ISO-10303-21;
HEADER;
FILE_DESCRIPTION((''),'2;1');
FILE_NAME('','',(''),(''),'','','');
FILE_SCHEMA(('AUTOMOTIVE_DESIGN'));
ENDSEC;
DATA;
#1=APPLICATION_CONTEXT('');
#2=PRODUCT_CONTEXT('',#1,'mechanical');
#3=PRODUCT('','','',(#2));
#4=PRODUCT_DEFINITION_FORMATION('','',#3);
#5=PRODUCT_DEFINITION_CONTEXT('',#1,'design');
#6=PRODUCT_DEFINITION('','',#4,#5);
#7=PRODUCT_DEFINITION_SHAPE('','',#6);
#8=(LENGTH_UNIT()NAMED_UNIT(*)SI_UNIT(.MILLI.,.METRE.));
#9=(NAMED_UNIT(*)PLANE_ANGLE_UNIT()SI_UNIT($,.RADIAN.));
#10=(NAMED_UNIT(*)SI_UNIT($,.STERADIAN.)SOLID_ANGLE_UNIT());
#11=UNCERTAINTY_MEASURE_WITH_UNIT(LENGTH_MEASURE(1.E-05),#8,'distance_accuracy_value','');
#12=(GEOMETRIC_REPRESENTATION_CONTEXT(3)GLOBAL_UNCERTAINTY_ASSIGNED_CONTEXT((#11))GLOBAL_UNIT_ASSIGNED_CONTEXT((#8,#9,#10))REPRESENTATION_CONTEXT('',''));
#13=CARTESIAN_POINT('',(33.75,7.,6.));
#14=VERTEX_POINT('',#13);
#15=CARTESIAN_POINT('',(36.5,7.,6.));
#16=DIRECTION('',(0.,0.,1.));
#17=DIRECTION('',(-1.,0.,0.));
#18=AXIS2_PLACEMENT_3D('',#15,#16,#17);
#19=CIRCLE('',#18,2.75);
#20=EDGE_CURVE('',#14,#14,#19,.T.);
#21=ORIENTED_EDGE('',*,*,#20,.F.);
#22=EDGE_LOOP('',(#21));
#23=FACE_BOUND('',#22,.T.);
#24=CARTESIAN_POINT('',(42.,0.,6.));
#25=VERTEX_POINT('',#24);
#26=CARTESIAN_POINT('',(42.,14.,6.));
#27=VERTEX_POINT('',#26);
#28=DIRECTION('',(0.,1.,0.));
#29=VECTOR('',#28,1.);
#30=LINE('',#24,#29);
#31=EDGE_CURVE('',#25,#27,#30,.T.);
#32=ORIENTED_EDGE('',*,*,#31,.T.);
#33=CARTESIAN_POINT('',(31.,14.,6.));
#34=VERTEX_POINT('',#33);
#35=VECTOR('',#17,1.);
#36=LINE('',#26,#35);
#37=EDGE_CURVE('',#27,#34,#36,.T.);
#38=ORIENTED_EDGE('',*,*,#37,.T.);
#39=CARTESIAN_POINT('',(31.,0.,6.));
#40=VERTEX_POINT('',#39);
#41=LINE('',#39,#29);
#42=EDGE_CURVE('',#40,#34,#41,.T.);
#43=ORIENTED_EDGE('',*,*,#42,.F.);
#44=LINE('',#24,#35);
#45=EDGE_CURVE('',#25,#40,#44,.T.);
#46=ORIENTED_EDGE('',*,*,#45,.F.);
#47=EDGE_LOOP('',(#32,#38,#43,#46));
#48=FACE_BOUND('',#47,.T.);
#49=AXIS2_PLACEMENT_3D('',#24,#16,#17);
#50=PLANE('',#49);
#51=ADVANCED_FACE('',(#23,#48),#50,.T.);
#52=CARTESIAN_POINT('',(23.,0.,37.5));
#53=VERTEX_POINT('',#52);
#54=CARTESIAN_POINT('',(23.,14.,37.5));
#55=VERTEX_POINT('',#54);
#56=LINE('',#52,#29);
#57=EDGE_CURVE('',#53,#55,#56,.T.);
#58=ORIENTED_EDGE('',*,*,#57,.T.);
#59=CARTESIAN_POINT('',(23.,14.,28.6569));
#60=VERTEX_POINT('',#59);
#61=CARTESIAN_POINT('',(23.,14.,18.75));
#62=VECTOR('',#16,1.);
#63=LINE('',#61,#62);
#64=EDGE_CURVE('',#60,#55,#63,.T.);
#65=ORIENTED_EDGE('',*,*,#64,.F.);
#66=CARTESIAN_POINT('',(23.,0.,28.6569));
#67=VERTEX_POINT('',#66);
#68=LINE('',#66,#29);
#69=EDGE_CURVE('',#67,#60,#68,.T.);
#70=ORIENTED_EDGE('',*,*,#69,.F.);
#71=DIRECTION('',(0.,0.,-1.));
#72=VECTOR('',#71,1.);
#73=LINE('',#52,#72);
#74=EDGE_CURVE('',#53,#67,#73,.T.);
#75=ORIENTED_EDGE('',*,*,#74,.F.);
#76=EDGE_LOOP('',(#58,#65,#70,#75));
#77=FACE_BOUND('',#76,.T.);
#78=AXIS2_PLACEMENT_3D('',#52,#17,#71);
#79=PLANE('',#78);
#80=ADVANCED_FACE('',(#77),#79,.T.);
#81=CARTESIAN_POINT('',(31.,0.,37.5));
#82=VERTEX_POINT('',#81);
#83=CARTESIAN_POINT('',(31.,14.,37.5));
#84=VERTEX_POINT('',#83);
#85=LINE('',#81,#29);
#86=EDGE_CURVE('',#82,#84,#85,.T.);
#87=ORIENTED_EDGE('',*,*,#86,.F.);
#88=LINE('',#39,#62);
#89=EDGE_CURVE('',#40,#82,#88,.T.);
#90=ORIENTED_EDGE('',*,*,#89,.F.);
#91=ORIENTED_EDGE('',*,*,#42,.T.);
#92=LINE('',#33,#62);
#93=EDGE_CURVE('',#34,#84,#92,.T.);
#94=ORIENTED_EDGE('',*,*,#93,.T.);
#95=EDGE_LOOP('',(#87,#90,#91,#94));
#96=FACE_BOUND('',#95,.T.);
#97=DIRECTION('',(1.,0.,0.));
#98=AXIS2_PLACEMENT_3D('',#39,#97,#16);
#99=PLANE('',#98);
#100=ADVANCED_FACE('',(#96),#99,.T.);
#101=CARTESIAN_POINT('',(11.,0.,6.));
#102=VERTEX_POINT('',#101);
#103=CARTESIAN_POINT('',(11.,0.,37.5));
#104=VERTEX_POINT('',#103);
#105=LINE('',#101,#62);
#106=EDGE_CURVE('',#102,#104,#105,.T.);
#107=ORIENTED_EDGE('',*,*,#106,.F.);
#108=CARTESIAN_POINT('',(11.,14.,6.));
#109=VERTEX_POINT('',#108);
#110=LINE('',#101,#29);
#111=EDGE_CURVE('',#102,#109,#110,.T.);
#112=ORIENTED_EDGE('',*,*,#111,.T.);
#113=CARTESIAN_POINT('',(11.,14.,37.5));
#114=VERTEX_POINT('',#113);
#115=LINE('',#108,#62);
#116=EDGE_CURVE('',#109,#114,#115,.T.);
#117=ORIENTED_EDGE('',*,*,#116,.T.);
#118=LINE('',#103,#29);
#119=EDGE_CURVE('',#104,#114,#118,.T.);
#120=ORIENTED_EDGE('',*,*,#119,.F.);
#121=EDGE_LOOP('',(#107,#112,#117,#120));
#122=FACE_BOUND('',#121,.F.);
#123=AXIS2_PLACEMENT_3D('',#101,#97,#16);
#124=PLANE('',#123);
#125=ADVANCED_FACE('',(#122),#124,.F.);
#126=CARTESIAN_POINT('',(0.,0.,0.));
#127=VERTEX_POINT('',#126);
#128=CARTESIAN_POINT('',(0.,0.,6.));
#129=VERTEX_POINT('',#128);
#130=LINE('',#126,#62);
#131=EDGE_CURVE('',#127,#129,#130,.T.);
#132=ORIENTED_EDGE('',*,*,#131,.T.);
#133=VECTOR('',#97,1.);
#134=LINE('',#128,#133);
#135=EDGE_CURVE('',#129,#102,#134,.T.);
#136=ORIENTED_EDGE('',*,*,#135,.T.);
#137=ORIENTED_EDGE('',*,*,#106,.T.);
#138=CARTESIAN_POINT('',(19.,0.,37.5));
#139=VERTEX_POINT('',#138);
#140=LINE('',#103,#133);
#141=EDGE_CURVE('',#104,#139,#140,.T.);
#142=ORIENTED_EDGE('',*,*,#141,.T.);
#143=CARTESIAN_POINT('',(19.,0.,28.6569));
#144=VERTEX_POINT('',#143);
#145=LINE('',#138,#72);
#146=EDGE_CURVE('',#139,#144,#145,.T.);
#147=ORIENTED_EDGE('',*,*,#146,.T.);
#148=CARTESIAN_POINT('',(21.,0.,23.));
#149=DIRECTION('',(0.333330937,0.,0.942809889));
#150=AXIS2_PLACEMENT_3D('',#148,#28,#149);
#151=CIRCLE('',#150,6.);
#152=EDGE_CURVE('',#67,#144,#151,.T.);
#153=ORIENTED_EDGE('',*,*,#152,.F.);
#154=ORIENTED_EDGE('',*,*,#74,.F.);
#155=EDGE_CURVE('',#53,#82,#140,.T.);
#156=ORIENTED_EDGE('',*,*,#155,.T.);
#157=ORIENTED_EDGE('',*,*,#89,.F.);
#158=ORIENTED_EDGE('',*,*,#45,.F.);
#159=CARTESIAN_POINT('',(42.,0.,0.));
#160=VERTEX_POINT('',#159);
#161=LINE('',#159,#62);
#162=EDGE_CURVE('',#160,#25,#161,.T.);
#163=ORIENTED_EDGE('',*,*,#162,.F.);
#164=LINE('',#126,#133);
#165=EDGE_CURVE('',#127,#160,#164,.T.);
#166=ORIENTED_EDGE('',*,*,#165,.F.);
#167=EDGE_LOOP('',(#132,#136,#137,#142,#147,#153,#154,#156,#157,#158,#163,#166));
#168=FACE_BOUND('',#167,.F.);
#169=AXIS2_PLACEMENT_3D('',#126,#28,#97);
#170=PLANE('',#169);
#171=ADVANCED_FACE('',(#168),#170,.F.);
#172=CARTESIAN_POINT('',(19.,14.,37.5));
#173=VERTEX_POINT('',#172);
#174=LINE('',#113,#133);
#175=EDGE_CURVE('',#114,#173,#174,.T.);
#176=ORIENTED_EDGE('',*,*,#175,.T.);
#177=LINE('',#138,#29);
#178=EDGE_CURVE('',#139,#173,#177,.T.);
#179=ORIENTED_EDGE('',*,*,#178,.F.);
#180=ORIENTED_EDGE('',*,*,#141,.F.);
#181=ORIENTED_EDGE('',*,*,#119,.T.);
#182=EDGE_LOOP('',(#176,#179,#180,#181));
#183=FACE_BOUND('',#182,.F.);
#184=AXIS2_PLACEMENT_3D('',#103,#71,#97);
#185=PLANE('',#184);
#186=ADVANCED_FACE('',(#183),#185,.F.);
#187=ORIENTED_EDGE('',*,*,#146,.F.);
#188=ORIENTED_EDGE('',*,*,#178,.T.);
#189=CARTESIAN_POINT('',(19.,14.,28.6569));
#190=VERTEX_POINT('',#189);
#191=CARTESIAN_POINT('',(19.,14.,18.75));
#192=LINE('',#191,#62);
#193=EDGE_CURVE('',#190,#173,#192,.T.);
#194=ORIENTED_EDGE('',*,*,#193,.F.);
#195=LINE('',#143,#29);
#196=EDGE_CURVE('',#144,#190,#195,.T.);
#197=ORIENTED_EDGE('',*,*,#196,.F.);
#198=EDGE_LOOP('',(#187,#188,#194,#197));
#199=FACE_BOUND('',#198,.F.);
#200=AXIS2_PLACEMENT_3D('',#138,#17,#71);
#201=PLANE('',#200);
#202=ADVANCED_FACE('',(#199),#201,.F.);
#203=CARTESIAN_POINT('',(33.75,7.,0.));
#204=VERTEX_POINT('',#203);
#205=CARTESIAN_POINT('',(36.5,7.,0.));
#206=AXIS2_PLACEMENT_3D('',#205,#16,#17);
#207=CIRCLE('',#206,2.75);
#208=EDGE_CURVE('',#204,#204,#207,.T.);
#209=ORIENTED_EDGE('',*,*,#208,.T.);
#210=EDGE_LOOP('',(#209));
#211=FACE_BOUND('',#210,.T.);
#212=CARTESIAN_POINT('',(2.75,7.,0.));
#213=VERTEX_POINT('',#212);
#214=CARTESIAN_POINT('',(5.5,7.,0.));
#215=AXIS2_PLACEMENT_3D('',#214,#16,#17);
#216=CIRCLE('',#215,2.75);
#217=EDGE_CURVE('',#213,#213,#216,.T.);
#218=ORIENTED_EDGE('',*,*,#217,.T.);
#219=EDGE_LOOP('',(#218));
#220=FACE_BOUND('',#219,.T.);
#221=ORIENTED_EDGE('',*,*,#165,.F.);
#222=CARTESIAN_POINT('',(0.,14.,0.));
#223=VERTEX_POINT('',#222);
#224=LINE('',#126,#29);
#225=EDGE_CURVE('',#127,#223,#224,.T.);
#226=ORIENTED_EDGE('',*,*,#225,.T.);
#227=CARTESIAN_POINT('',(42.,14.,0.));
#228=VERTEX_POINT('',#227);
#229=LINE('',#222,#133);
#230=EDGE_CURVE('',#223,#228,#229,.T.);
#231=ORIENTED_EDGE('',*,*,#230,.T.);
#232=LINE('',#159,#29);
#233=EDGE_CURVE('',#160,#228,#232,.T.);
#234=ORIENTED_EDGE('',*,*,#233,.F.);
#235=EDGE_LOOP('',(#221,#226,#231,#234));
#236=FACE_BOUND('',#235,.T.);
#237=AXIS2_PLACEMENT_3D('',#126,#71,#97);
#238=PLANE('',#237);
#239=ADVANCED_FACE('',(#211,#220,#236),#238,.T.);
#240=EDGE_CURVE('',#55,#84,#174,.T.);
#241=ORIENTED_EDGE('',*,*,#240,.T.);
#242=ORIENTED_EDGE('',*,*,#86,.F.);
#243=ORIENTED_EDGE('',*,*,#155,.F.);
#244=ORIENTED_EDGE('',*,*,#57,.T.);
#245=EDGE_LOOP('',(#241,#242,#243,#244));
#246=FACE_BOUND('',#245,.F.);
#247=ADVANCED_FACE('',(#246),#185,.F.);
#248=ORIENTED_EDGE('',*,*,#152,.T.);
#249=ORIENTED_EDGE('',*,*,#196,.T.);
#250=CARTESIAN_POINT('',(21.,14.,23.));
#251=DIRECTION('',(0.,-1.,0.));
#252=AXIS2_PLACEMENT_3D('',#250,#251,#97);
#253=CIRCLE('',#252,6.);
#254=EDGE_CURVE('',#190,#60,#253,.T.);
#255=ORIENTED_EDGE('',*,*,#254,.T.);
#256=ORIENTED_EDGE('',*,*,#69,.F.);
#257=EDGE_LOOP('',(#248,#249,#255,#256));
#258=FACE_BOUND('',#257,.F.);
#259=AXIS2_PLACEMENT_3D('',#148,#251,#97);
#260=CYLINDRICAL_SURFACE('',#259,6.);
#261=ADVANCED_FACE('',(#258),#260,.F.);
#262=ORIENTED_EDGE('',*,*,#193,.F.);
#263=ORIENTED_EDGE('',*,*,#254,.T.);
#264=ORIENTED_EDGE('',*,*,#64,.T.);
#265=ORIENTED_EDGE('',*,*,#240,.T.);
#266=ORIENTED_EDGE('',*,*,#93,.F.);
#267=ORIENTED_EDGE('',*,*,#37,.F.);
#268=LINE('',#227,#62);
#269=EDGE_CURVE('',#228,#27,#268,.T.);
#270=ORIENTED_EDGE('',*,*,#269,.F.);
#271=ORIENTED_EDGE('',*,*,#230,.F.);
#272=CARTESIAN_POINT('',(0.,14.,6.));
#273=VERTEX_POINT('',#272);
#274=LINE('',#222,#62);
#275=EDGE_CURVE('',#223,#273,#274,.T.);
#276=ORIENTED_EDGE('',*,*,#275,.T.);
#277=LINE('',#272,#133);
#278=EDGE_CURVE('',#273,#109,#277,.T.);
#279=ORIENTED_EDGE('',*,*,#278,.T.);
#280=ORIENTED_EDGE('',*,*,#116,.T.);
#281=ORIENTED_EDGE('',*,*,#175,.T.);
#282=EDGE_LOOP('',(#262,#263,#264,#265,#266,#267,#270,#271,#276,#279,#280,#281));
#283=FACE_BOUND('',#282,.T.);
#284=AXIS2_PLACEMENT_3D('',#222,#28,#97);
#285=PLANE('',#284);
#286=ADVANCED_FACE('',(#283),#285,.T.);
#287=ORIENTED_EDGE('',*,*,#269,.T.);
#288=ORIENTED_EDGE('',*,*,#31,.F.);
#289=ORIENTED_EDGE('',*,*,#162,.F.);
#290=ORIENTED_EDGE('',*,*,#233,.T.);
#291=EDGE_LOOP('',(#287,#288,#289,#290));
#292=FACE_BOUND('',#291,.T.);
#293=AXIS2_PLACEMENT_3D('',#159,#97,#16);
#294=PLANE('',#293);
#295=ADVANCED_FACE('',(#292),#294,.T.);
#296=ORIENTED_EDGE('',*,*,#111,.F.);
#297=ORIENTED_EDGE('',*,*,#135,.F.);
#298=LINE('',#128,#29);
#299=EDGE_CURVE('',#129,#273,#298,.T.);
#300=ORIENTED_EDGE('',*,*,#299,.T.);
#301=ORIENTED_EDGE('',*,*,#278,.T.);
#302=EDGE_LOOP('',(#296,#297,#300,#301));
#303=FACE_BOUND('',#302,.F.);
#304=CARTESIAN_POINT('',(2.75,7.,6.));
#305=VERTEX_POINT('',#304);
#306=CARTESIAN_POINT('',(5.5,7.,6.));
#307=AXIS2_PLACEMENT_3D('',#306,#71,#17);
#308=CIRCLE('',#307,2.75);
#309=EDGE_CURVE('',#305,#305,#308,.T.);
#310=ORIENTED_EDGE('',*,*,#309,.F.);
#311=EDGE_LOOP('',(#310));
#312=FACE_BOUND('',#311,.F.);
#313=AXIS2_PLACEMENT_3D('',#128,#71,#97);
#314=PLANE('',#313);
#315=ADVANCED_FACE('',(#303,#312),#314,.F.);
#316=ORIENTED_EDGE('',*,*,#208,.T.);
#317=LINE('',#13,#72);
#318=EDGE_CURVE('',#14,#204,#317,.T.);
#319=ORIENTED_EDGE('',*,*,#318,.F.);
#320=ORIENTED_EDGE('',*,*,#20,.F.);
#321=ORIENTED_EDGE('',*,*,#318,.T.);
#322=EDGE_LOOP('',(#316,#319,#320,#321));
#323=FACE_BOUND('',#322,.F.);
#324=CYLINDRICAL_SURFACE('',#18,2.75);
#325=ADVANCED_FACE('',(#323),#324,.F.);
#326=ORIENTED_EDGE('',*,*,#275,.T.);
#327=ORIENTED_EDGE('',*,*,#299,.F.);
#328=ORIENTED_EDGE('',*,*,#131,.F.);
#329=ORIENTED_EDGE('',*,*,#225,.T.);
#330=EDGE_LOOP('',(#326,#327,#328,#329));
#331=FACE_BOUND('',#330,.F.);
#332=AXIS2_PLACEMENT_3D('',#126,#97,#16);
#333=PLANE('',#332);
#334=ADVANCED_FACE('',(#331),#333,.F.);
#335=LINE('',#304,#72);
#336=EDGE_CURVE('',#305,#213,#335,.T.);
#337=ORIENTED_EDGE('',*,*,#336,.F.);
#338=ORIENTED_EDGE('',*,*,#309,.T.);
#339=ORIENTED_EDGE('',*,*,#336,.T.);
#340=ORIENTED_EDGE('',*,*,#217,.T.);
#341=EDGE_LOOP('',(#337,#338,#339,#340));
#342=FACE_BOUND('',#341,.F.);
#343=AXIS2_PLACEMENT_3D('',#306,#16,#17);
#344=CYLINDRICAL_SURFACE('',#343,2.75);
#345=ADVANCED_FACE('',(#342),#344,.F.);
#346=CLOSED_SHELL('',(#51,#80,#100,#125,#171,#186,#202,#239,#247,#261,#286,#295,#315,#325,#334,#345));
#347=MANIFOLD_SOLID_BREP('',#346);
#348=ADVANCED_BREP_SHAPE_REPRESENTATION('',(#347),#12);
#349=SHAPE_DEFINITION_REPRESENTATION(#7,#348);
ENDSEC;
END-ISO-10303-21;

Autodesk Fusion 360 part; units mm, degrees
sketch "Sketch1" plane through (0, 0, 0) normal (0, 1, 0) x (1, 0, 0)
  line L0 (0, 0) -> (42, 0)
  line L1 (0, 0) -> (0, -6)
  line L2 (42, 0) -> (42, -6)
  line L3 (42, -6) -> (31, -6)
  line L4 (31, -6) -> (31, -37.5)
  line L5 (0, -6) -> (11, -6)
  line L6 (11, -6) -> (11, -37.5)
  line L7 (11, -37.5) -> (31, -37.5)
  dimension "d1" = 42
  dimension "d2" = 6
  dimension "d3" = 6
  dimension "d7" = 11
  dimension "d8" = 31.5
  dimension "d9" = 11
  dimension "d10" = 31.5
extrude "Extrude1" add sketch "Sketch1" along normal blind 14
sketch "Sketch2" plane through (0, 0, 0) normal (0, -1, 0) x (1, 0, 0)
  line L0 (0, 6) -> (0, 0)
  line L1 (0, 0) -> (42, 0)
  line L2 (42, 0) -> (42, 6)
  line L3 (42, 6) -> (31, 6)
  line L4 (31, 6) -> (31, 37.5)
  line L5 (31, 37.5) -> (11, 37.5)
  line L6 (11, 37.5) -> (11, 6)
  line L7 (11, 6) -> (0, 6)
  line L8 (0, 0) -> (21, 0)
  line L9 (21, 0) -> (21, 23)
  circle A0 centre (21, 23) radius 6
  line L10 (21, 37.5) -> (23, 37.5)
  line L11 (21, 37.5) -> (19, 37.5)
  line L12 (19, 37.5) -> (19, 28.6569)
  line L13 (23, 37.5) -> (23, 28.6569)
  dimension "d13" = 23
  dimension "d14" = 12
  dimension "d15" = 2
  dimension "d16" = 2
extrude "Extrude2" cut sketch "Sketch2" against normal blind 49.568 contours A0 | L5 A0 L10 L11 L12 L13
sketch "Sketch3" plane through (0, 0, 6) normal (0, 0, 1) x (-1, 0, 0)
  line L0 (0, 0) -> (-11, 0)
  line L1 (-11, 0) -> (-11, -14)
  line L2 (-11, -14) -> (0, -14)
  line L3 (0, -14) -> (0, 0)
  line L4 (-5.5, -14) -> (-5.5, 0)
  line L5 (0, -7) -> (-11, -7)
  circle A0 centre (-5.5, -7) radius 2.75
  dimension "d19" = 5.5
extrude "Extrude3" cut sketch "Sketch3" against normal blind 15.501 contours L4 L5 A0 | L4 L5 A0 | L4 L5 A0 | L4 L5 A0
sketch "Sketch4" plane through (0, 0, 6) normal (0, 0, 1) x (-1, 0, 0)
  line L0 (-31, 0) -> (-42, 0)
  line L1 (-42, 0) -> (-42, -14)
  line L2 (-42, -14) -> (-31, -14)
  line L3 (-31, -14) -> (-31, 0)
  circle A0 centre (-36.5, -7) radius 2.75
  dimension "d22" = 5.5
extrude "Extrude4" cut sketch "Sketch4" against normal blind 36.862 contours A0
